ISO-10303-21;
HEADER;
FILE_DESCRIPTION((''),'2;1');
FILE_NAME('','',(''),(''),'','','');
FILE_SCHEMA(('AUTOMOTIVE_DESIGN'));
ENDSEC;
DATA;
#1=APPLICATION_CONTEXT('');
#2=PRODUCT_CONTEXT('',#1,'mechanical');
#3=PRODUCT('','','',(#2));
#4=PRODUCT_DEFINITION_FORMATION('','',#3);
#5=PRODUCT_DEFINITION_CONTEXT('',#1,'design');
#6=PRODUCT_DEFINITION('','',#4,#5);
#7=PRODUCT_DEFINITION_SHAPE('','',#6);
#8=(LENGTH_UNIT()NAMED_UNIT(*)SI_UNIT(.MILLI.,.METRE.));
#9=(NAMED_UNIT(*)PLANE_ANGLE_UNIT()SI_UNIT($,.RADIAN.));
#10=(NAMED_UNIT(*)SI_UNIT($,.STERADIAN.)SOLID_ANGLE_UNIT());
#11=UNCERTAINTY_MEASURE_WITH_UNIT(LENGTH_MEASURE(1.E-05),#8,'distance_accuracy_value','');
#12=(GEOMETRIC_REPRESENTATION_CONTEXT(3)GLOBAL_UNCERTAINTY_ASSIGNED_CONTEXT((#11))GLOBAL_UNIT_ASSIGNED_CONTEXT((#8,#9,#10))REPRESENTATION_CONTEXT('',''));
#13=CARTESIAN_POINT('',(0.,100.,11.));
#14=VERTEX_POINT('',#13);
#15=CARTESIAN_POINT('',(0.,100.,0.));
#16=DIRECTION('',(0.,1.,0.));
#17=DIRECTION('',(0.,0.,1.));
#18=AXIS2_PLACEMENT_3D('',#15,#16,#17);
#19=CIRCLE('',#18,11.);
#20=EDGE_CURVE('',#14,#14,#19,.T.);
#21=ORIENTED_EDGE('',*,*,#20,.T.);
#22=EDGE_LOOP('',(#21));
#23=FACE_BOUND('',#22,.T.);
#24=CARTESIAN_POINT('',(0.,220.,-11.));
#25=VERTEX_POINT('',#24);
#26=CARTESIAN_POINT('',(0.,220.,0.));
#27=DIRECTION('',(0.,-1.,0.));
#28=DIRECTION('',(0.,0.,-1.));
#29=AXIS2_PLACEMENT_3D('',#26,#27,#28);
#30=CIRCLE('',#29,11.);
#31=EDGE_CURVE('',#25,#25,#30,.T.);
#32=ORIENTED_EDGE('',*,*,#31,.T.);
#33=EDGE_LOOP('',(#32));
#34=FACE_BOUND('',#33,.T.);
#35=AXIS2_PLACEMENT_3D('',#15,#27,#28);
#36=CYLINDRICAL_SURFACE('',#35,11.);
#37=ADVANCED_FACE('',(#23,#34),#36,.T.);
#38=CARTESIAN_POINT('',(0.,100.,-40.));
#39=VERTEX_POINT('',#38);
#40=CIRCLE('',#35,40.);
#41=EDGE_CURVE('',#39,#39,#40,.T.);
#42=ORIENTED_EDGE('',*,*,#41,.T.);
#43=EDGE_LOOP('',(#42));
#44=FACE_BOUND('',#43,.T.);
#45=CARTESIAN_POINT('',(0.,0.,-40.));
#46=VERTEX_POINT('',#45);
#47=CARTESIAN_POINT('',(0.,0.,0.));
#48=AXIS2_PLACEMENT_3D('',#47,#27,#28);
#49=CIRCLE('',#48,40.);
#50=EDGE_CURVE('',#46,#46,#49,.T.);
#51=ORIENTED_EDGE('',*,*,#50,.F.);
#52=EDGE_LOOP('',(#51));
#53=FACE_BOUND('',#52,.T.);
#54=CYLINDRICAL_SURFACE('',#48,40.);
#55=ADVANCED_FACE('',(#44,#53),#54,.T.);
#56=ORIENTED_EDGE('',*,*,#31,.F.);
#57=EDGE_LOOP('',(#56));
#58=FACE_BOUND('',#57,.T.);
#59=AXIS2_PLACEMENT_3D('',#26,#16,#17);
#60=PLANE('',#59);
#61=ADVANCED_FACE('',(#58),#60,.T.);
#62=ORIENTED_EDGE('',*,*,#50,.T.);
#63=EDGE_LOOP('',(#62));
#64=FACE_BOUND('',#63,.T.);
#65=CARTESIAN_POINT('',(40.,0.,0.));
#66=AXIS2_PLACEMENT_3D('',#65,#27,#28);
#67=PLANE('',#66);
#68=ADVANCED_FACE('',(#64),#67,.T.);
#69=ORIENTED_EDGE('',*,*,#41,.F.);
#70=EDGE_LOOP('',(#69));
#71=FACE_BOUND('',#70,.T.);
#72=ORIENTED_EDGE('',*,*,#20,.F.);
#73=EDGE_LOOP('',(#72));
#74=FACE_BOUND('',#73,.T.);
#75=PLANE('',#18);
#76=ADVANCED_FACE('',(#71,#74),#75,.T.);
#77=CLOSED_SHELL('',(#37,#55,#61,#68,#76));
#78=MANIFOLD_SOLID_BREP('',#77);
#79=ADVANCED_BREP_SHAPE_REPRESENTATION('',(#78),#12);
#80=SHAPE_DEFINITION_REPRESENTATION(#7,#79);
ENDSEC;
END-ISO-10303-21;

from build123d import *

# Parameters (mm, degrees)
ESBO_O1_W = 40
ESBO_O1_H = 100
ESBO_O2_W = 11
ESBO_O2_H = 120


with BuildPart() as part:
    # Esboço1 → Revolução1 (revolve)
    with BuildSketch(Plane.XY):
        with Locations((20, 50)):
            Rectangle(ESBO_O1_W, ESBO_O1_H)
    revolve(axis=Axis((0, 0, 0), (0, 1, 0)))

    # Esboço2 → Revolução2 (revolve)
    with BuildSketch(Plane.XY):
        with Locations((5.5, 160)):
            Rectangle(ESBO_O2_W, ESBO_O2_H)
    revolve(axis=Axis((0, 100, 0), (0, 1, 0)))


solid = part.part
